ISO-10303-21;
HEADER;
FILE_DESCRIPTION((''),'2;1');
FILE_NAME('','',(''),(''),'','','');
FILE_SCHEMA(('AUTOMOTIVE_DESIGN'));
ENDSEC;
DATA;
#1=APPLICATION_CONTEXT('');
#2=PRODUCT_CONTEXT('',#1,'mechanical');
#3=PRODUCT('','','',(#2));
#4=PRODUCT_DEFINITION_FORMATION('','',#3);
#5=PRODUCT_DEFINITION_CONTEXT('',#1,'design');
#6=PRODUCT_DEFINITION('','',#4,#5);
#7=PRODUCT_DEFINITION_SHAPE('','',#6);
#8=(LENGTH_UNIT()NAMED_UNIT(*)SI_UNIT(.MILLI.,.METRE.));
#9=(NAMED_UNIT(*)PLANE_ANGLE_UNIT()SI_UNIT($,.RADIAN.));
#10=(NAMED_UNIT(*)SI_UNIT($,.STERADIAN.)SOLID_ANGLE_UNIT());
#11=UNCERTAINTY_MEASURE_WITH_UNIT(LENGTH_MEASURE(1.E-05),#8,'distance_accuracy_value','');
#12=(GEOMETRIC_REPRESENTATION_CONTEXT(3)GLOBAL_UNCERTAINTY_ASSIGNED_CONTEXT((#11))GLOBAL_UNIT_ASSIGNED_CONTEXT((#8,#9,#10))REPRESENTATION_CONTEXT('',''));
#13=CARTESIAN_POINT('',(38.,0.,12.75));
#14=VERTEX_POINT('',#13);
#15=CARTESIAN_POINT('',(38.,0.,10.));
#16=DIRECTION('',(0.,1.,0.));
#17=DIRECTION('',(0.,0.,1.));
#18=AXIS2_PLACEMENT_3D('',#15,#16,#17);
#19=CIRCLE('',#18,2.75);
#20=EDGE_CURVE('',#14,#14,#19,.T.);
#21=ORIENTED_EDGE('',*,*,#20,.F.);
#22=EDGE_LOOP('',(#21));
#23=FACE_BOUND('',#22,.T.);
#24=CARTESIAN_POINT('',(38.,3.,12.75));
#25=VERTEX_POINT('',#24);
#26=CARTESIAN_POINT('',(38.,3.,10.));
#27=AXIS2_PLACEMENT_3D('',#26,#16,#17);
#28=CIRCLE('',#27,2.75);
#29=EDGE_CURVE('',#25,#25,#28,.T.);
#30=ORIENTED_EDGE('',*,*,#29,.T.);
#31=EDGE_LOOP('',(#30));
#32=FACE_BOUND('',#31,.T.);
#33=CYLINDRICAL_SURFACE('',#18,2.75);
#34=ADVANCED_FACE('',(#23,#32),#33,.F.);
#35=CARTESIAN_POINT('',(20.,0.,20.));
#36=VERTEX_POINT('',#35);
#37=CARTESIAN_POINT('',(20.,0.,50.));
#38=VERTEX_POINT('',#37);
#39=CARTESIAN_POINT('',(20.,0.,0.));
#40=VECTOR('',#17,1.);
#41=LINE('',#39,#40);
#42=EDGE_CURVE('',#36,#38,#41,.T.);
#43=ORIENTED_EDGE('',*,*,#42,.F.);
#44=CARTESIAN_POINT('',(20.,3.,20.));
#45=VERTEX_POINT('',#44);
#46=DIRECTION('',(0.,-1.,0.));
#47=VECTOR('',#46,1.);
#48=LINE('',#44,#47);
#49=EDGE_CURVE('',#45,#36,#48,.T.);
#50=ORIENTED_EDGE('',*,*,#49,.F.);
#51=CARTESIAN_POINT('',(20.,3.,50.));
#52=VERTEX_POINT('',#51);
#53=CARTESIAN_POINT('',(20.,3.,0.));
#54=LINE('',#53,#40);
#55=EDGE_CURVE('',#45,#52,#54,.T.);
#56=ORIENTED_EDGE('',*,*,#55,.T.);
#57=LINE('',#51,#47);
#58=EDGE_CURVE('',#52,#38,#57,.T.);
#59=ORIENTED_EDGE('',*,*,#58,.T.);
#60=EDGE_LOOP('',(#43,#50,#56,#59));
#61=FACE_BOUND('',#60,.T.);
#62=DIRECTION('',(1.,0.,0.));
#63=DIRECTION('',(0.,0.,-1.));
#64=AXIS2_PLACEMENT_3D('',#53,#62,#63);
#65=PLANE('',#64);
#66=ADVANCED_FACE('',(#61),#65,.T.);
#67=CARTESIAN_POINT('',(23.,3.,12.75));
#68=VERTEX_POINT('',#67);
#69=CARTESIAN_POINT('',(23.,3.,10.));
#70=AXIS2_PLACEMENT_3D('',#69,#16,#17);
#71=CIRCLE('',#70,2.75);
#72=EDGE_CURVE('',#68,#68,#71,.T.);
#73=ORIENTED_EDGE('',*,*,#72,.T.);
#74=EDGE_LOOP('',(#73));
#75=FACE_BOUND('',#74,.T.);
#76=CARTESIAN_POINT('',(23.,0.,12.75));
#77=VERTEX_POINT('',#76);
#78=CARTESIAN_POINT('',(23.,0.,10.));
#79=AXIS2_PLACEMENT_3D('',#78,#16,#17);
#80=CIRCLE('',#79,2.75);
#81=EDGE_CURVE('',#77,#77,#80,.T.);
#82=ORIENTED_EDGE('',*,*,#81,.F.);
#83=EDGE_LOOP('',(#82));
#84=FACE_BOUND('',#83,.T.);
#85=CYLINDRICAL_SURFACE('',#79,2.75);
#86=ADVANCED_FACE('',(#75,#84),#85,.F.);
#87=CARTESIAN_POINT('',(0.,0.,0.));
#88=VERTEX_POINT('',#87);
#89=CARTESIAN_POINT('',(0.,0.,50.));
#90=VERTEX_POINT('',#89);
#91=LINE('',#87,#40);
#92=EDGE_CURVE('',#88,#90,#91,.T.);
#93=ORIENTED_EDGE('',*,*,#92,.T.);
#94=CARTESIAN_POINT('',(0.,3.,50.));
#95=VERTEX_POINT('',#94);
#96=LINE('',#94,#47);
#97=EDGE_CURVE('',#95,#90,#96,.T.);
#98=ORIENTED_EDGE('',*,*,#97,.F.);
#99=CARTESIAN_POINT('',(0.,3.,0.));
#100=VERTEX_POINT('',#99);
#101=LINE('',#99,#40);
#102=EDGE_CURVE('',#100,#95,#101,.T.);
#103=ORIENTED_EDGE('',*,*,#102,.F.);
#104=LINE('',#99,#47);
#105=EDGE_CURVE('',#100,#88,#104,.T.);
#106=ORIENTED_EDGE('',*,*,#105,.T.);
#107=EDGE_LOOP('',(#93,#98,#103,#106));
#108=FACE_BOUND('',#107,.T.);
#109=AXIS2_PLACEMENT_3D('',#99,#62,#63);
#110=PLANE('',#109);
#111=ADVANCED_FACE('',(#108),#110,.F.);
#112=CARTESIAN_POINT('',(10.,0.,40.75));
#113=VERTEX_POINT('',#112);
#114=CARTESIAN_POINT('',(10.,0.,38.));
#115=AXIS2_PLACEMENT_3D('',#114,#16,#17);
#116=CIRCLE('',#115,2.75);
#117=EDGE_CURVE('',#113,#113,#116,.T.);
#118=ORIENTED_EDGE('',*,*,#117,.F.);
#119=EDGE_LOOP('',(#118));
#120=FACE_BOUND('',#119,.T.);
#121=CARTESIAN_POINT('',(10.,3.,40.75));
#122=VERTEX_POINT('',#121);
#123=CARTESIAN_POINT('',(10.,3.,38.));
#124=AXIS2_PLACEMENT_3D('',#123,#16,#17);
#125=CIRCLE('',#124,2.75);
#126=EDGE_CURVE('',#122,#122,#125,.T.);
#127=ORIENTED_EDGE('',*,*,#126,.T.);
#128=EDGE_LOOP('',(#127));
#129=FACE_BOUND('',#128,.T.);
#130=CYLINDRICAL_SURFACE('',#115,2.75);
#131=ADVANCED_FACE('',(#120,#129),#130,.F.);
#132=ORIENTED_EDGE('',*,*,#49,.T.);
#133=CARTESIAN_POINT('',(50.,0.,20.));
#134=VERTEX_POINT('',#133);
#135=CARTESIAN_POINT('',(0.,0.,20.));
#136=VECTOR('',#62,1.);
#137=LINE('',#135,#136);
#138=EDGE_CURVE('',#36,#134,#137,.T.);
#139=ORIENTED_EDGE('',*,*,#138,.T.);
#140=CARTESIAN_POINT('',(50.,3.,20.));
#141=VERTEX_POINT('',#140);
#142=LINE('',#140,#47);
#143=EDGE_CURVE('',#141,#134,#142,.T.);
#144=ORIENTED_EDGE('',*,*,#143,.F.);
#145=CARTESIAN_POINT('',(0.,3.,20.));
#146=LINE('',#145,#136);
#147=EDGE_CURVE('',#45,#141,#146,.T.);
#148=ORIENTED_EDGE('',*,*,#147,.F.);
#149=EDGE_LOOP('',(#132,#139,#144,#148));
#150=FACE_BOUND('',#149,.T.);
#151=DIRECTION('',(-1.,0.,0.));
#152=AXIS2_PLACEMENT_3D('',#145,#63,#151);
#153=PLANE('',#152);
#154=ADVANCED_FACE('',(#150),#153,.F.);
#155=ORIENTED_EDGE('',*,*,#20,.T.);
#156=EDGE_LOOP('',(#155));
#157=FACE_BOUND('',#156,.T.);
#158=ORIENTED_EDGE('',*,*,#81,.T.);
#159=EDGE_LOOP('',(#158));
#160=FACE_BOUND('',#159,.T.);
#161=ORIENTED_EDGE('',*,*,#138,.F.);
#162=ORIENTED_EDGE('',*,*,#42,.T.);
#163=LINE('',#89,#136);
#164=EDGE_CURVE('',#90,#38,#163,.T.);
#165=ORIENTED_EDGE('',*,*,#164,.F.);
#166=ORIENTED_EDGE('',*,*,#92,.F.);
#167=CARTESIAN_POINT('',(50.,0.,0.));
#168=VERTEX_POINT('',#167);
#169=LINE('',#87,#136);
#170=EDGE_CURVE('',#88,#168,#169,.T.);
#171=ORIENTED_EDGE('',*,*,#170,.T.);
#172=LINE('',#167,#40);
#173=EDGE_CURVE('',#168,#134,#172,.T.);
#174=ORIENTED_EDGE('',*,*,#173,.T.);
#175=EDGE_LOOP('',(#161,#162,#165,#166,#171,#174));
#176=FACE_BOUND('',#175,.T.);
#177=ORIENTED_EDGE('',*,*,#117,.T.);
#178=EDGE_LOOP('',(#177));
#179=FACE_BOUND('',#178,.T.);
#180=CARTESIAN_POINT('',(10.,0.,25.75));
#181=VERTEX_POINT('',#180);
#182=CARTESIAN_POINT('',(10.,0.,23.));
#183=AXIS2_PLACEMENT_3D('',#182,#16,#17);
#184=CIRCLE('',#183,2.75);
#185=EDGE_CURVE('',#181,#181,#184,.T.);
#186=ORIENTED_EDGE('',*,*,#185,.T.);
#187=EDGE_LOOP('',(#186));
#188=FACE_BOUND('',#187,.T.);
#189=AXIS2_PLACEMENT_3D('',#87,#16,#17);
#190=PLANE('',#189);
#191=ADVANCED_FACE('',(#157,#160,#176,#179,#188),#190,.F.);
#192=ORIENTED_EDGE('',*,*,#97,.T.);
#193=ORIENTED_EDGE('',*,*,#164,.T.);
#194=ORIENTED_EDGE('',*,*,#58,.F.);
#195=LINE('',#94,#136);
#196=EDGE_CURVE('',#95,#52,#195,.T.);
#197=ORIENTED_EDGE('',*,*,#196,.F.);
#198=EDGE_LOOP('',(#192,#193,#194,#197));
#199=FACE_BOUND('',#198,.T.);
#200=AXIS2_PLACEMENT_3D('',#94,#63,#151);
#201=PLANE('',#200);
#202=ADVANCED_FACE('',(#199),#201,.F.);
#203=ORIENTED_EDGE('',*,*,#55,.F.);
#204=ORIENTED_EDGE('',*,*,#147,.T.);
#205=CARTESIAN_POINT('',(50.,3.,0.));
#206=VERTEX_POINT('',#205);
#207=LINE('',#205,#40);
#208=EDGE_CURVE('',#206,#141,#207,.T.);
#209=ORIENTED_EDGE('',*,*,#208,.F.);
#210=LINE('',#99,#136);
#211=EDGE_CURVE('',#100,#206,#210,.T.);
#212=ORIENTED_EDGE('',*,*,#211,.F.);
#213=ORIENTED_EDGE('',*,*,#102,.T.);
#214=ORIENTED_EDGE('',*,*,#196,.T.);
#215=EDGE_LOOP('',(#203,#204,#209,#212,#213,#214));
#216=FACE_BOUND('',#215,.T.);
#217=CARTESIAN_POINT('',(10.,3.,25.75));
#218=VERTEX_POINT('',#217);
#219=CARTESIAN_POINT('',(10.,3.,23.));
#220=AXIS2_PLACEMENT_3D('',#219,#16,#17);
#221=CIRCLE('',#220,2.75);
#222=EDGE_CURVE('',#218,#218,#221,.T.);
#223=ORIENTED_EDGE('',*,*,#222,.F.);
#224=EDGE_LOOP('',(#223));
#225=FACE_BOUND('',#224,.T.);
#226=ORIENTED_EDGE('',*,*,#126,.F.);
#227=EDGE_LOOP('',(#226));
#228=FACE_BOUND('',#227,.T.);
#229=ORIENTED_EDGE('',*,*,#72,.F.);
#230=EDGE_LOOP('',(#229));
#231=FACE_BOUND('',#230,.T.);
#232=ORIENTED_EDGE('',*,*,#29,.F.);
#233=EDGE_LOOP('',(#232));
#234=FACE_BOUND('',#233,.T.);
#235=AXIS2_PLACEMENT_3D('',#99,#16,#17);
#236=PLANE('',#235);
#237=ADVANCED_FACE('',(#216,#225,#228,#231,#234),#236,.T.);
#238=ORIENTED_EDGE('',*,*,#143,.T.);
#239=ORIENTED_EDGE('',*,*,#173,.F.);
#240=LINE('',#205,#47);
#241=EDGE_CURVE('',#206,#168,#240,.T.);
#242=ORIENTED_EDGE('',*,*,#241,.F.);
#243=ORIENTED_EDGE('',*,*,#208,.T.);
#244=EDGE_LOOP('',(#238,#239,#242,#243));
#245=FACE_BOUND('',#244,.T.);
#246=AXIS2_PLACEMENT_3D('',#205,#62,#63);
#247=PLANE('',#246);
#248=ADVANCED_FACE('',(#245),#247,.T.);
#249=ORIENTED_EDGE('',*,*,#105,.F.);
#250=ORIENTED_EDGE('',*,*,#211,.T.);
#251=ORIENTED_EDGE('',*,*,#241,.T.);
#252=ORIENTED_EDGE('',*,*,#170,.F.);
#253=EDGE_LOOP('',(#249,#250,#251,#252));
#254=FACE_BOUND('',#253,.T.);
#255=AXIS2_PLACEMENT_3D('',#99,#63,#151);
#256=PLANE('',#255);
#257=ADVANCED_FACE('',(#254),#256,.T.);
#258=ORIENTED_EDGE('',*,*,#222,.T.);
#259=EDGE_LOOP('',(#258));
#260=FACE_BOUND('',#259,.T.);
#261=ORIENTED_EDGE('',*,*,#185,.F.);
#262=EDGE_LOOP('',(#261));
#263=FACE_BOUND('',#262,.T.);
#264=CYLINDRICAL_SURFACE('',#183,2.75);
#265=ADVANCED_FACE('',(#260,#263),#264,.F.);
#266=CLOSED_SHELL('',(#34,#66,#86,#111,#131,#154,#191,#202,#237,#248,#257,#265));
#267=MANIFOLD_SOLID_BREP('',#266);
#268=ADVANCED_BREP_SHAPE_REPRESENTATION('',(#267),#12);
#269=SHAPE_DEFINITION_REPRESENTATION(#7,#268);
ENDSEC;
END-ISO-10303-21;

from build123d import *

# Parameters (mm, degrees)
SKETCH1_W           = 20
SKETCH1_H           = 50
SKETCH1_W_2         = 30
SKETCH1_H_2         = 20
BOSS_EXTRUDE1_DEPTH = 3
SKETCH3_R           = 2.75
CUT_EXTRUDE1_DEPTH  = 3


with BuildPart() as part:
    # Sketch1 → Boss-Extrude1 (new body)
    with BuildSketch(Plane(origin=(0, 0, 0), x_dir=(1, 0, 0), z_dir=(0, 1, 0))):
        with Locations((10, -25)):
            Rectangle(SKETCH1_W, SKETCH1_H)
        with Locations((35, -10)):
            Rectangle(SKETCH1_W_2, SKETCH1_H_2)
    extrude(amount=BOSS_EXTRUDE1_DEPTH)

    # Sketch3 → Cut-Extrude1 (cut)
    with BuildSketch(Plane(origin=(0, 3, 0), x_dir=(1, 0, 0), z_dir=(0, 1, 0))):
        with Locations((10, -38)):
            Circle(SKETCH3_R)
        with Locations((10, -23)):
            Circle(SKETCH3_R)
        with Locations((38, -10)):
            Circle(SKETCH3_R)
        with Locations((23, -10)):
            Circle(SKETCH3_R)
    extrude(amount=-CUT_EXTRUDE1_DEPTH, mode=Mode.SUBTRACT)


solid = part.part
